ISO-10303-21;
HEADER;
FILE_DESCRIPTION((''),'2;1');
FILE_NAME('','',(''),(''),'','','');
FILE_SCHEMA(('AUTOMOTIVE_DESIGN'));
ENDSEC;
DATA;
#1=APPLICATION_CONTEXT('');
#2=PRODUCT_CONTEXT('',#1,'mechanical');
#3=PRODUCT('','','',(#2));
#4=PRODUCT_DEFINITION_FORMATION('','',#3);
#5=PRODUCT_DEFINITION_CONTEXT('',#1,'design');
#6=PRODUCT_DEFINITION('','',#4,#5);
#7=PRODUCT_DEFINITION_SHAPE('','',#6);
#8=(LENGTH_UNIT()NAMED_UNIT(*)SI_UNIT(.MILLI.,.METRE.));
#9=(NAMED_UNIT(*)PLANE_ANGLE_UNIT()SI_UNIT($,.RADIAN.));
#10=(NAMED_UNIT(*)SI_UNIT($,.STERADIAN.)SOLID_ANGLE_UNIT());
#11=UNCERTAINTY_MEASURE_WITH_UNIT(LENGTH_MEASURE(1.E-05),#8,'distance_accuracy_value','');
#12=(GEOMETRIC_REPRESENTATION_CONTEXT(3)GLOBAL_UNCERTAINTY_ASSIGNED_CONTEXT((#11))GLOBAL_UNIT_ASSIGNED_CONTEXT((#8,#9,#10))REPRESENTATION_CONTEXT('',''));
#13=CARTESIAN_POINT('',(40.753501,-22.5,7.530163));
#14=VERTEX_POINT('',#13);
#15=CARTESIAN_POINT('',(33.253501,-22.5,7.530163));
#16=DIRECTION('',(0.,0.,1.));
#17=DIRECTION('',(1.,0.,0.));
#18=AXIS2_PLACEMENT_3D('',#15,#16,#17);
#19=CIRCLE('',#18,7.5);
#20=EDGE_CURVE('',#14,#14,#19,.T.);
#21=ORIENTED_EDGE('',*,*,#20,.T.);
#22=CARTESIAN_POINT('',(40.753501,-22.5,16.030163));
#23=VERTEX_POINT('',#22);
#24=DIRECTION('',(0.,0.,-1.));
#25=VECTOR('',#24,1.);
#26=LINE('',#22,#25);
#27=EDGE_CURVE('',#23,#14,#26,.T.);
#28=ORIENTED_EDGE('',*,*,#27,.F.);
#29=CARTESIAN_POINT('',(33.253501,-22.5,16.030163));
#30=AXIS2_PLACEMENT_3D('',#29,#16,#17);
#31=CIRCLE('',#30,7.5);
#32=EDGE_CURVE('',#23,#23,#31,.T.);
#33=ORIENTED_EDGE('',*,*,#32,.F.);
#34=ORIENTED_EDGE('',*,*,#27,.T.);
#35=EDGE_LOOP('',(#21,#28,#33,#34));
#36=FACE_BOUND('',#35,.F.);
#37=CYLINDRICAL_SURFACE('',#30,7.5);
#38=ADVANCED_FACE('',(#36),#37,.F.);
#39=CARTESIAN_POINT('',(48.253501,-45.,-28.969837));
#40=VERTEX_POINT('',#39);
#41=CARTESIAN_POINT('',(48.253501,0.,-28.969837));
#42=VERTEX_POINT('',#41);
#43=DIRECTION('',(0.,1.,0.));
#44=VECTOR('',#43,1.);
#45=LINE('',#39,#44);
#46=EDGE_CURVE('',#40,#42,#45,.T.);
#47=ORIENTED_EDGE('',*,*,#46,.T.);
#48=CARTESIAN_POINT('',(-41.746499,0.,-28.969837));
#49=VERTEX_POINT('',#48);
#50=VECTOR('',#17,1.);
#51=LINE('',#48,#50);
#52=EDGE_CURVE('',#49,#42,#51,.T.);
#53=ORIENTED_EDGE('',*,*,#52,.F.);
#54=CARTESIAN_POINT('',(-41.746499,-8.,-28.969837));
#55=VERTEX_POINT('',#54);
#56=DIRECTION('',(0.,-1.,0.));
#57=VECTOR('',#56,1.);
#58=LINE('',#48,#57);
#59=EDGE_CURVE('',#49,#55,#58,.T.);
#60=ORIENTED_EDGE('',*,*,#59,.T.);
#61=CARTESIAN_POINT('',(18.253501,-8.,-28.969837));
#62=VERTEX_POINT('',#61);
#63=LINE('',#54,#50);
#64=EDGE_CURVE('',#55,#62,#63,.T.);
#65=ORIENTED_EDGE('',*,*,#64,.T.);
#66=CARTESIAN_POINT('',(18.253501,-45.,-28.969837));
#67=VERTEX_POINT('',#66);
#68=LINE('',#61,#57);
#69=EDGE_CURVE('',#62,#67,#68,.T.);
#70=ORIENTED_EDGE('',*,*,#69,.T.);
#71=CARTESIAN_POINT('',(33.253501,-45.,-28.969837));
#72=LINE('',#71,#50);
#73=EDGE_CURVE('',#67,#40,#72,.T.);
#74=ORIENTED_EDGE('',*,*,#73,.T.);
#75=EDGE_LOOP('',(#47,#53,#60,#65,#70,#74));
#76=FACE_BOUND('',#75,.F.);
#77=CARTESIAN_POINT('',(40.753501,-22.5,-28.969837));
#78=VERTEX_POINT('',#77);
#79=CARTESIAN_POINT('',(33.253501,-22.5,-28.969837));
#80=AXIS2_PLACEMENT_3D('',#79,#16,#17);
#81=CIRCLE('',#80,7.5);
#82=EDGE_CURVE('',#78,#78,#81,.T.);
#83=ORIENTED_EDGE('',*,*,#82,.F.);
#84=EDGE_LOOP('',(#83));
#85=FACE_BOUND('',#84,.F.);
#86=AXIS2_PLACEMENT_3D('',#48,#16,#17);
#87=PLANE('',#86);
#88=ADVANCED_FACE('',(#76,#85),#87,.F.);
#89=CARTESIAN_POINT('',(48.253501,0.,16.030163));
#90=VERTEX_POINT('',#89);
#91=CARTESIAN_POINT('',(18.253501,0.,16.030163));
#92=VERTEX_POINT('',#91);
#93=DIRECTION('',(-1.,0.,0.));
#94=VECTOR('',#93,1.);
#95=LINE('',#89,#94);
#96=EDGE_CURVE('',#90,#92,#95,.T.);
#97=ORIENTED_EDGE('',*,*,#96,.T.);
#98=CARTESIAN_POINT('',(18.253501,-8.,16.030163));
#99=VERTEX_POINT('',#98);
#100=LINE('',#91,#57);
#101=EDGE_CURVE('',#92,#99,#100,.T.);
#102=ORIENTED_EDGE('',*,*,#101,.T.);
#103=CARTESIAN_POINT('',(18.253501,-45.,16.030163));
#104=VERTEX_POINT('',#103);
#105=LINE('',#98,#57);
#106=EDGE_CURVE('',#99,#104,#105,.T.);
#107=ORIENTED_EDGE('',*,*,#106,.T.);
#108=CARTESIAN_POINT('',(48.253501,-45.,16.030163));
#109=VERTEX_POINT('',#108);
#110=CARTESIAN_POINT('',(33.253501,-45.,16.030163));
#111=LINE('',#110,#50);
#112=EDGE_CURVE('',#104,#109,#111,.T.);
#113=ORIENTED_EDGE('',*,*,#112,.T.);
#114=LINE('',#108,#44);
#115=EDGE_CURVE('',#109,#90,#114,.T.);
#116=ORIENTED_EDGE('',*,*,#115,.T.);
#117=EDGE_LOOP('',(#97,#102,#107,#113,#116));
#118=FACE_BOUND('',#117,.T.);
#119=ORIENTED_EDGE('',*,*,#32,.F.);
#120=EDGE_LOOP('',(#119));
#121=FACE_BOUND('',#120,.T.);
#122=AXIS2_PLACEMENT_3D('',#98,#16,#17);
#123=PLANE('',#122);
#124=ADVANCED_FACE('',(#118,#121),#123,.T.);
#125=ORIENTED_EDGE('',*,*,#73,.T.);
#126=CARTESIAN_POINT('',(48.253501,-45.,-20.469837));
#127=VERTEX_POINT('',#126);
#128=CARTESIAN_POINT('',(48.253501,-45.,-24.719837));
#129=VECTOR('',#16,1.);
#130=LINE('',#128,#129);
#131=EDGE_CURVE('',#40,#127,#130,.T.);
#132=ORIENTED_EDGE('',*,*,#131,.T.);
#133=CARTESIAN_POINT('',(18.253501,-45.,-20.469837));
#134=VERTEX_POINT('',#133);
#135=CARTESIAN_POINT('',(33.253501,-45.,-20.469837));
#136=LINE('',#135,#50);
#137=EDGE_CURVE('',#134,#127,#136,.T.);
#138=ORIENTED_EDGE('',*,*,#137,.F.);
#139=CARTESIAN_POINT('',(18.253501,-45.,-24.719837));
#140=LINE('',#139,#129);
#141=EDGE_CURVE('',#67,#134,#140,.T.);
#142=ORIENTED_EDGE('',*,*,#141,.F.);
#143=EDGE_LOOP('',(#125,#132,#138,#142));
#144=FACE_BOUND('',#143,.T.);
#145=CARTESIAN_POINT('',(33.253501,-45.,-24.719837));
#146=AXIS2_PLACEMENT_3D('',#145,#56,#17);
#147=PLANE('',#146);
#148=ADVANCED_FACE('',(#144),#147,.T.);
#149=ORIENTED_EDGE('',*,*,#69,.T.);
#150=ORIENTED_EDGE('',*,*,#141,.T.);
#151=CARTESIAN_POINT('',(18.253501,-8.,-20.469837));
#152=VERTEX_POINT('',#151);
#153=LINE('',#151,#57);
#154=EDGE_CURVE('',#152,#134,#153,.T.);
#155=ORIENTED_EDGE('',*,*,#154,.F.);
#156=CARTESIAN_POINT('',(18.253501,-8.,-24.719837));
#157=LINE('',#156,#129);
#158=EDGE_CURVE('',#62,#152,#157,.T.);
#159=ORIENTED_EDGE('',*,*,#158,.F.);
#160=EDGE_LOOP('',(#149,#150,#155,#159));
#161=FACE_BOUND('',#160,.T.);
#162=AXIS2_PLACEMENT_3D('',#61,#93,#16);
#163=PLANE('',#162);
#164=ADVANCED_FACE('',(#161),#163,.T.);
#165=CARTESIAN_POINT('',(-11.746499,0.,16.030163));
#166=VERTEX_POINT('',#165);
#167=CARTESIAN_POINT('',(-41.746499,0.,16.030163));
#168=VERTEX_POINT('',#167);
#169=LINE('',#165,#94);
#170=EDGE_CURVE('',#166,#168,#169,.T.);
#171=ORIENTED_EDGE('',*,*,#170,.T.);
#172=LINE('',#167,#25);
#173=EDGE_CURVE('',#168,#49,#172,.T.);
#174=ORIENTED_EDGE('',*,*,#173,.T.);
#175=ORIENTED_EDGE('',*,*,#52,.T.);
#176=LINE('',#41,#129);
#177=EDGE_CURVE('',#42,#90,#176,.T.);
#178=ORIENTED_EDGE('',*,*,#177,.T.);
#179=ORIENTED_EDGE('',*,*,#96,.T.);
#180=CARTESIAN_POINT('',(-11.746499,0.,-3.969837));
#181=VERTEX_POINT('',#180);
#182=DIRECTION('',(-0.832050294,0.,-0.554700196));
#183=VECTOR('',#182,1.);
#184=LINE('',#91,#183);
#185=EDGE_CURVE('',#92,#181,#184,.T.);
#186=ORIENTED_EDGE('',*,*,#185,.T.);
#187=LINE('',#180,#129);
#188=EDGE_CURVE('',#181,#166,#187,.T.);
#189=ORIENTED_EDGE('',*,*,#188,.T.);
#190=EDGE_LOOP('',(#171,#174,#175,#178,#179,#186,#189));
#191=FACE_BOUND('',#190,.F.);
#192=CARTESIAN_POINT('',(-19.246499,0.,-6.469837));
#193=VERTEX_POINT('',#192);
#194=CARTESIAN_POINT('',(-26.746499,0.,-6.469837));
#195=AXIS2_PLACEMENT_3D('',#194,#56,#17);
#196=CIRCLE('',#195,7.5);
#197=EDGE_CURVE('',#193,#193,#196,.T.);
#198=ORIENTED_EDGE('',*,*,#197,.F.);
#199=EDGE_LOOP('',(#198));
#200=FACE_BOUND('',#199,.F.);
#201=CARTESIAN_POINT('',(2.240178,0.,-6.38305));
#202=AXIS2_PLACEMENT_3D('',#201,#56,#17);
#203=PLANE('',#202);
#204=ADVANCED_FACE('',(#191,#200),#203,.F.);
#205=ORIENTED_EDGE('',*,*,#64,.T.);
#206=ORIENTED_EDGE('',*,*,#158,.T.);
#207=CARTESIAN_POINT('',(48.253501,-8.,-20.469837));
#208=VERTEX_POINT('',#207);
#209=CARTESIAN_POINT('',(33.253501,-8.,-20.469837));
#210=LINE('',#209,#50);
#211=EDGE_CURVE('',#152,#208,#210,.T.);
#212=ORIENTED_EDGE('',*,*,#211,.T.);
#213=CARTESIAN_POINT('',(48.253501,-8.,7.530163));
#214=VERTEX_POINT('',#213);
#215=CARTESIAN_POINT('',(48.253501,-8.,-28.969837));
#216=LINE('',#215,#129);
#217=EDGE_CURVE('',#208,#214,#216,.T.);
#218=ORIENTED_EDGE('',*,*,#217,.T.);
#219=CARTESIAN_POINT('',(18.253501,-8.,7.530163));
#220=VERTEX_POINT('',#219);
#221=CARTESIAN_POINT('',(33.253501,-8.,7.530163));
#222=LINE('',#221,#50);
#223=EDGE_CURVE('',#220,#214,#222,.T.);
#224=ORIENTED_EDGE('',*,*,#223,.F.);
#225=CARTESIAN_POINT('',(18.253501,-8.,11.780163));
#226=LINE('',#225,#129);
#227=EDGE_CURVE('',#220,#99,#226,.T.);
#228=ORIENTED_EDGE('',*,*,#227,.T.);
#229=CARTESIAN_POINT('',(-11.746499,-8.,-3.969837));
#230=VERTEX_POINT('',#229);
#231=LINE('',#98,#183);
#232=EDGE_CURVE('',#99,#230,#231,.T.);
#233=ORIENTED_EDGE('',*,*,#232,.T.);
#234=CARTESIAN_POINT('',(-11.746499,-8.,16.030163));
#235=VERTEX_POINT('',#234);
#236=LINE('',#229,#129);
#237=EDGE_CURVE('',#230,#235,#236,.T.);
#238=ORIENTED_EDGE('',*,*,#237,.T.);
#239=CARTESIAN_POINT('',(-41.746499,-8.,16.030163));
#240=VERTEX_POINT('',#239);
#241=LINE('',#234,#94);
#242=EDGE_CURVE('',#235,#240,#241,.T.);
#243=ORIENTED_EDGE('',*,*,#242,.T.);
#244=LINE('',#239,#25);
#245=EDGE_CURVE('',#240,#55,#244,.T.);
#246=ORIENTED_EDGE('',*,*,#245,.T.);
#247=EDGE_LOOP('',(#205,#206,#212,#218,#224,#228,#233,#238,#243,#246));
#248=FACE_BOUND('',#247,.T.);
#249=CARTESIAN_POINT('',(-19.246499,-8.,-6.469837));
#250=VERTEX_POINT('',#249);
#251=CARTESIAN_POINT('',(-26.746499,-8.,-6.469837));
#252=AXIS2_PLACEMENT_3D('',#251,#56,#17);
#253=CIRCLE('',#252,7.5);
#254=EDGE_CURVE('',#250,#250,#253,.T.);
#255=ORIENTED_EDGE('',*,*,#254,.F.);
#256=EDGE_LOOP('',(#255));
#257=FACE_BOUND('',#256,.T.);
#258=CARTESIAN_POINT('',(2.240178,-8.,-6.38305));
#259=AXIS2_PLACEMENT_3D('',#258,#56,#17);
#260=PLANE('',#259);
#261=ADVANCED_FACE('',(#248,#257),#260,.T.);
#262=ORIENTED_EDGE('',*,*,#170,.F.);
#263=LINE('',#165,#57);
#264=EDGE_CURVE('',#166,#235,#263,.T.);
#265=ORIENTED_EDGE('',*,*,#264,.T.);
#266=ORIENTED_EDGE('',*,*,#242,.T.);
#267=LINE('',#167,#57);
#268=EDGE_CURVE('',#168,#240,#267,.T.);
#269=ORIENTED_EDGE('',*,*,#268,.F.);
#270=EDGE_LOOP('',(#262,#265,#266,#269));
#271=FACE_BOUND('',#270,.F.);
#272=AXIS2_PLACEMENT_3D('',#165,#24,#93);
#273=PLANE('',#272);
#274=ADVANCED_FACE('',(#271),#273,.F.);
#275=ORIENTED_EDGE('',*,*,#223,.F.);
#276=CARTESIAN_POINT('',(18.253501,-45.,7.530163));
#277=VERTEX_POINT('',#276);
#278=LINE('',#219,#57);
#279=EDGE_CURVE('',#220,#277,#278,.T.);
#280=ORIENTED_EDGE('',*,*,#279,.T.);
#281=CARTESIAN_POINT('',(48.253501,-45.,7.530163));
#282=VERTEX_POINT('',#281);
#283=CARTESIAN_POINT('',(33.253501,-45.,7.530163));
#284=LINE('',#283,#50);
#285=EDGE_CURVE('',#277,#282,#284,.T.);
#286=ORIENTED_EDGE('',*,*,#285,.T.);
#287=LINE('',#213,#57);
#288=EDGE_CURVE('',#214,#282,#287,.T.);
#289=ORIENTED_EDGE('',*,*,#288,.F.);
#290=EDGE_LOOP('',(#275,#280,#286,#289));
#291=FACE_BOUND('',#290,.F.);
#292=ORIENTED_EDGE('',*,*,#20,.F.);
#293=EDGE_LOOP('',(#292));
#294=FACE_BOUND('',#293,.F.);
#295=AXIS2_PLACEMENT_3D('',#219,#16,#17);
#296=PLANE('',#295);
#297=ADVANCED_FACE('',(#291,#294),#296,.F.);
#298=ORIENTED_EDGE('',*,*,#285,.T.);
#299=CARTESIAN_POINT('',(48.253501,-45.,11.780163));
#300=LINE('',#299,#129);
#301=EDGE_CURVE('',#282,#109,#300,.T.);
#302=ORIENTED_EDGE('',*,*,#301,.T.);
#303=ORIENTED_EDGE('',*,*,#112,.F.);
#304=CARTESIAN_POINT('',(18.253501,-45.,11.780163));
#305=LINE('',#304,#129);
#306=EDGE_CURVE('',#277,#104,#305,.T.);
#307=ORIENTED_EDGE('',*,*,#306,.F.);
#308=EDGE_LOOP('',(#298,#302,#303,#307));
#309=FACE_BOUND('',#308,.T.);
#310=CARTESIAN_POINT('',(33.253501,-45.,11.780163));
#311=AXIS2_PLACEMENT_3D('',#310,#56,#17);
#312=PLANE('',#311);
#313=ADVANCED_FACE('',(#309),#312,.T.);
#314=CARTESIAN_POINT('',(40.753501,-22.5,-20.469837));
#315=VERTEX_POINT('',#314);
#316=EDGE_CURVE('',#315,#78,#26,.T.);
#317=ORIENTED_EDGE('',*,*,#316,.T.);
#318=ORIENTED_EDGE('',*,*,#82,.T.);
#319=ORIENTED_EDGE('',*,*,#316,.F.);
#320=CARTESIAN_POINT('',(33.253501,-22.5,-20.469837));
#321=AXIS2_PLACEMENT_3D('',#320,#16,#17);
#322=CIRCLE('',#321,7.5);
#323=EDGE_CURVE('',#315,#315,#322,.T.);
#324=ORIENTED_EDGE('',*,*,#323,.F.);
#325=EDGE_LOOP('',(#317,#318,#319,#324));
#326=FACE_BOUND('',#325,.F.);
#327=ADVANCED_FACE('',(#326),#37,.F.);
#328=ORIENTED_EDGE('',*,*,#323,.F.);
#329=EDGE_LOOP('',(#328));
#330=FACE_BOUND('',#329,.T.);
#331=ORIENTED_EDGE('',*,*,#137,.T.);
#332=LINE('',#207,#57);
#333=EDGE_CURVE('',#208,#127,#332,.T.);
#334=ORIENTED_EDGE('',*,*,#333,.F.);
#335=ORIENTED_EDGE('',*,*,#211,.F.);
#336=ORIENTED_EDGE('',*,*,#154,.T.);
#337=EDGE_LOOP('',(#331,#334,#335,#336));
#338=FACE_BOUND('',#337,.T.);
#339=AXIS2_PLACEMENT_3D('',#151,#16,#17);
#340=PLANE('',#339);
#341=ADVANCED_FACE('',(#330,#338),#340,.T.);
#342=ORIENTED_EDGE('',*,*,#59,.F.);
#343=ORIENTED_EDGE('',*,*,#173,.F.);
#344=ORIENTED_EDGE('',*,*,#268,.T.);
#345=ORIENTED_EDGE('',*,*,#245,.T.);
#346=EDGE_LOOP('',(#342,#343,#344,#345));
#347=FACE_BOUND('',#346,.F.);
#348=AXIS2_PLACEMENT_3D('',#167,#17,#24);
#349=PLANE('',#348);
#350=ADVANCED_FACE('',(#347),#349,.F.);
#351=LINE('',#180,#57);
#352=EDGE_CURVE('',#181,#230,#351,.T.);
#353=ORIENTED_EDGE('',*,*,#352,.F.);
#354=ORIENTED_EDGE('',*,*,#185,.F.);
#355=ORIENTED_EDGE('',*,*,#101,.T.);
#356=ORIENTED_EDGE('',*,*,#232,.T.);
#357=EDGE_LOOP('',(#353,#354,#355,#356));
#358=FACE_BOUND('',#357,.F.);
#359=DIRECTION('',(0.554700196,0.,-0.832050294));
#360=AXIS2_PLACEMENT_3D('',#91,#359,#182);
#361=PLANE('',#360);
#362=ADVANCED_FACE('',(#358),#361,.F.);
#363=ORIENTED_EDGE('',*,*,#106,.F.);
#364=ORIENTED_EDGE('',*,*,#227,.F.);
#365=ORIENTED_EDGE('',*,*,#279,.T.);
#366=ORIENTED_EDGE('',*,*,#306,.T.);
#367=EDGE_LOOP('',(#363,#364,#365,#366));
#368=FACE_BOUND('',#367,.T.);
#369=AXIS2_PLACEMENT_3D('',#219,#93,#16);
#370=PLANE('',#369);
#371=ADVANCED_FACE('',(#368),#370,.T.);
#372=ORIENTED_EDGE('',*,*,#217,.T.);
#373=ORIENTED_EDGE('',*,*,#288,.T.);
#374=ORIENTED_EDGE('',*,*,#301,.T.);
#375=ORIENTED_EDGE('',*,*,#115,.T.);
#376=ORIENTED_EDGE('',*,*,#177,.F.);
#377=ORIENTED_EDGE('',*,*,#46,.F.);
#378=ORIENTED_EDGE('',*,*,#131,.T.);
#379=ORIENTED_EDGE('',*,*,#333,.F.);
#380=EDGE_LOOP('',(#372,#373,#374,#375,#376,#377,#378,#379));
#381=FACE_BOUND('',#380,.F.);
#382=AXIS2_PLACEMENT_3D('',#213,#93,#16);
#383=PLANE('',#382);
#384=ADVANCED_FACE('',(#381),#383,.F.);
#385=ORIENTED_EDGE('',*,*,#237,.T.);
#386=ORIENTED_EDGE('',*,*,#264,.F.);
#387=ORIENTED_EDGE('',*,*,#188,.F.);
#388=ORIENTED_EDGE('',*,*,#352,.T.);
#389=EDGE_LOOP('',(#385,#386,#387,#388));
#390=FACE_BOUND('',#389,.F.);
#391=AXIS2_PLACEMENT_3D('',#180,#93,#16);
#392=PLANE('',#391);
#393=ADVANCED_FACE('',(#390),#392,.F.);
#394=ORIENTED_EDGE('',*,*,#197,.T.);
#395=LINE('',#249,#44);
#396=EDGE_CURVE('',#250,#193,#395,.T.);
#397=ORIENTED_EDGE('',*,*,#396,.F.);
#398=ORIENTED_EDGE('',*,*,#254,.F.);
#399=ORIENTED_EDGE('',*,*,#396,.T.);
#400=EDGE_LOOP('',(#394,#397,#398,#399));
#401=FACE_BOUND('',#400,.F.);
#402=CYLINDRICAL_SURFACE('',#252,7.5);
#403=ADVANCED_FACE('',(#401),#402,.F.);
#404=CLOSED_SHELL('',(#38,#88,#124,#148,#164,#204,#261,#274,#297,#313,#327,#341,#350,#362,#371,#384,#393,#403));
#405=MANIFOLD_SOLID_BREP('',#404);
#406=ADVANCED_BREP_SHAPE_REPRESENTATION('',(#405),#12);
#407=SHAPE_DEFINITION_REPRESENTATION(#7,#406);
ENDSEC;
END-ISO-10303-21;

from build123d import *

# Parameters (mm, degrees)
F1_DEPTH = 8
F2_W     = 30
F2_H     = 8.5
F3_DEPTH = 37
F4_R     = 7.5
F5_DEPTH = 45.001
F6_R     = 7.5
F7_DEPTH = 8.001


with BuildPart() as f1:
    # F0 (on Front) → F1 (new body)
    with BuildSketch(Plane.XZ):
        Polygon((-41.746499, -28.969837), (48.253501, -28.969837), (48.253501, 16.030163), (18.253501, 16.030163), (-11.746499, -3.969837), (-11.746499, 16.030163), (-41.746499, 16.030163), align=None)
    extrude(amount=F1_DEPTH)

    # F2 (on face) → F3 (join)
    with BuildSketch(Plane.XZ.offset(8)):
        with Locations((33.253501, 11.780163)):
            Rectangle(F2_W, F2_H)
        with Locations((33.253501, -24.719837)):
            Rectangle(F2_W, F2_H)
    extrude(amount=F3_DEPTH)

    # F4 (on face) → F5 (cut, through all)
    with BuildSketch(Plane.XY.offset(16.030163)):
        with Locations((33.253501, -22.5)):
            Circle(F4_R)
    extrude(amount=-F5_DEPTH, mode=Mode.SUBTRACT)

    # F6 (on face) → F7 (cut, through all)
    with BuildSketch(Plane.XZ.offset(8)):
        with Locations((-26.746499, -6.469837)):
            Circle(F6_R)
    extrude(amount=-F7_DEPTH, mode=Mode.SUBTRACT)


solid = f1.part
